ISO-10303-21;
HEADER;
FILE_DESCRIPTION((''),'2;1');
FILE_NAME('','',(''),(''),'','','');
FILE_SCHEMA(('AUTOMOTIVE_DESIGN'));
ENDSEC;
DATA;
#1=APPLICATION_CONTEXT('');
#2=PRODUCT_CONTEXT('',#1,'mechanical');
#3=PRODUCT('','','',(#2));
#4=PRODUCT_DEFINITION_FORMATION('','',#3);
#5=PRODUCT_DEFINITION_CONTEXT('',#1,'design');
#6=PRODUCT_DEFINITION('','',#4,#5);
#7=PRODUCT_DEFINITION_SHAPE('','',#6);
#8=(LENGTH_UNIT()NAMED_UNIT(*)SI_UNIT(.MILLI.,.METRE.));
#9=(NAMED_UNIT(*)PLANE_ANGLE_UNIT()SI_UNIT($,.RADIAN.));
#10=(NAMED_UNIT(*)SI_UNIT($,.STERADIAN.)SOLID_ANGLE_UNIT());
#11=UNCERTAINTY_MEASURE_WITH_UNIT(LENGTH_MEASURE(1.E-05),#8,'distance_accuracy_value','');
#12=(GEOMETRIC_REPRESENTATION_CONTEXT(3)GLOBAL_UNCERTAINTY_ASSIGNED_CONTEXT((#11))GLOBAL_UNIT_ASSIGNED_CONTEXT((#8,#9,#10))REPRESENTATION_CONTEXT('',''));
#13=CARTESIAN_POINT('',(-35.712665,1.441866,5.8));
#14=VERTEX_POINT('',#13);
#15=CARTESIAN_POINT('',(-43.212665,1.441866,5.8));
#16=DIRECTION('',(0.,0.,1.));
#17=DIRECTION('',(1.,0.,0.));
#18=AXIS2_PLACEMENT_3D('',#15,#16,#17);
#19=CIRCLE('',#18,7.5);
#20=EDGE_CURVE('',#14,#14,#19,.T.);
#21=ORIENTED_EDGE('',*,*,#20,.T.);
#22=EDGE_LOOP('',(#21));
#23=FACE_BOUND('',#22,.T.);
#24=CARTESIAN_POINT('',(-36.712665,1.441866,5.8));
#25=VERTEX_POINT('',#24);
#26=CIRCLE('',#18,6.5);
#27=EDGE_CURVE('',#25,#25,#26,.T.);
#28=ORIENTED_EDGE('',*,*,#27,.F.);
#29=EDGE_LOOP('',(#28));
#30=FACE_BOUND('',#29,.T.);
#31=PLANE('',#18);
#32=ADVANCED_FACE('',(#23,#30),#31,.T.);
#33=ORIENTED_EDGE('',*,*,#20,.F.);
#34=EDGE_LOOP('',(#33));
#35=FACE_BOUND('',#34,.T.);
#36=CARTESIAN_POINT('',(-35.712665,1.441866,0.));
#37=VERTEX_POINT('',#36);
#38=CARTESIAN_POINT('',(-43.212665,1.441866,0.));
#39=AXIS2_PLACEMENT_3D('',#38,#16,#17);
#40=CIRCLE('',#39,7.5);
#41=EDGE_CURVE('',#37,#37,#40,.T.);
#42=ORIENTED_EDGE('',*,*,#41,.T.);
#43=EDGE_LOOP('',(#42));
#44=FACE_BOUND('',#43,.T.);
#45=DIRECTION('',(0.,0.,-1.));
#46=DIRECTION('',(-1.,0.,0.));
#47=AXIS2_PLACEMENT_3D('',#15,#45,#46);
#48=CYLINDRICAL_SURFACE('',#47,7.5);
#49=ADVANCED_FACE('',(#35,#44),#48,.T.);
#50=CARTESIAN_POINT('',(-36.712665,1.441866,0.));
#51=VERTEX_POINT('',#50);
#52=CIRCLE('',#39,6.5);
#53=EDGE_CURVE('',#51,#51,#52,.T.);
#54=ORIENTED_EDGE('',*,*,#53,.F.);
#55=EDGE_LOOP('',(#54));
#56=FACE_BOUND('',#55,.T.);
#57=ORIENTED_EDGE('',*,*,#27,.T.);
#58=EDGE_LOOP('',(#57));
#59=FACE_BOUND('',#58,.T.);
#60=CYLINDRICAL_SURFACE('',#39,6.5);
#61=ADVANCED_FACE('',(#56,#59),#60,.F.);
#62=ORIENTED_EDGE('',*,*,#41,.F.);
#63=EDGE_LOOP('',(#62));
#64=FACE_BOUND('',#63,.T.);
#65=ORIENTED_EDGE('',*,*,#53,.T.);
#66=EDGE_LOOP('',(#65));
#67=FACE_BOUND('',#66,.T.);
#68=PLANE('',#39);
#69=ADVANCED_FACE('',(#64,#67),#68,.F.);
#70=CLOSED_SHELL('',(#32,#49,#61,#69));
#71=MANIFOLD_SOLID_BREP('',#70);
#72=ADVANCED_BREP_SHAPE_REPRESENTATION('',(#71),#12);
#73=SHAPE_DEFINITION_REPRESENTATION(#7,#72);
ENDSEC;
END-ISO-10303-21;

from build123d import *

# Parameters (mm, degrees)
SKETCH1_R           = 7.5
BOSS_EXTRUDE1_DEPTH = 5.8
SKETCH2_R           = 6.5
CUT_EXTRUDE1_DEPTH  = 5.8


with BuildPart() as part:
    # Sketch1 → Boss-Extrude1 (new body)
    with BuildSketch(Plane.XY):
        with Locations((-43.212664647, 1.441865661)):
            Circle(SKETCH1_R)
    extrude(amount=BOSS_EXTRUDE1_DEPTH)

    # Sketch2 → Cut-Extrude1 (cut)
    with BuildSketch(Plane.XY.offset(5.8)):
        with Locations((-43.212664647, 1.441865661)):
            Circle(SKETCH2_R)
    extrude(amount=-CUT_EXTRUDE1_DEPTH, mode=Mode.SUBTRACT)


solid = part.part
